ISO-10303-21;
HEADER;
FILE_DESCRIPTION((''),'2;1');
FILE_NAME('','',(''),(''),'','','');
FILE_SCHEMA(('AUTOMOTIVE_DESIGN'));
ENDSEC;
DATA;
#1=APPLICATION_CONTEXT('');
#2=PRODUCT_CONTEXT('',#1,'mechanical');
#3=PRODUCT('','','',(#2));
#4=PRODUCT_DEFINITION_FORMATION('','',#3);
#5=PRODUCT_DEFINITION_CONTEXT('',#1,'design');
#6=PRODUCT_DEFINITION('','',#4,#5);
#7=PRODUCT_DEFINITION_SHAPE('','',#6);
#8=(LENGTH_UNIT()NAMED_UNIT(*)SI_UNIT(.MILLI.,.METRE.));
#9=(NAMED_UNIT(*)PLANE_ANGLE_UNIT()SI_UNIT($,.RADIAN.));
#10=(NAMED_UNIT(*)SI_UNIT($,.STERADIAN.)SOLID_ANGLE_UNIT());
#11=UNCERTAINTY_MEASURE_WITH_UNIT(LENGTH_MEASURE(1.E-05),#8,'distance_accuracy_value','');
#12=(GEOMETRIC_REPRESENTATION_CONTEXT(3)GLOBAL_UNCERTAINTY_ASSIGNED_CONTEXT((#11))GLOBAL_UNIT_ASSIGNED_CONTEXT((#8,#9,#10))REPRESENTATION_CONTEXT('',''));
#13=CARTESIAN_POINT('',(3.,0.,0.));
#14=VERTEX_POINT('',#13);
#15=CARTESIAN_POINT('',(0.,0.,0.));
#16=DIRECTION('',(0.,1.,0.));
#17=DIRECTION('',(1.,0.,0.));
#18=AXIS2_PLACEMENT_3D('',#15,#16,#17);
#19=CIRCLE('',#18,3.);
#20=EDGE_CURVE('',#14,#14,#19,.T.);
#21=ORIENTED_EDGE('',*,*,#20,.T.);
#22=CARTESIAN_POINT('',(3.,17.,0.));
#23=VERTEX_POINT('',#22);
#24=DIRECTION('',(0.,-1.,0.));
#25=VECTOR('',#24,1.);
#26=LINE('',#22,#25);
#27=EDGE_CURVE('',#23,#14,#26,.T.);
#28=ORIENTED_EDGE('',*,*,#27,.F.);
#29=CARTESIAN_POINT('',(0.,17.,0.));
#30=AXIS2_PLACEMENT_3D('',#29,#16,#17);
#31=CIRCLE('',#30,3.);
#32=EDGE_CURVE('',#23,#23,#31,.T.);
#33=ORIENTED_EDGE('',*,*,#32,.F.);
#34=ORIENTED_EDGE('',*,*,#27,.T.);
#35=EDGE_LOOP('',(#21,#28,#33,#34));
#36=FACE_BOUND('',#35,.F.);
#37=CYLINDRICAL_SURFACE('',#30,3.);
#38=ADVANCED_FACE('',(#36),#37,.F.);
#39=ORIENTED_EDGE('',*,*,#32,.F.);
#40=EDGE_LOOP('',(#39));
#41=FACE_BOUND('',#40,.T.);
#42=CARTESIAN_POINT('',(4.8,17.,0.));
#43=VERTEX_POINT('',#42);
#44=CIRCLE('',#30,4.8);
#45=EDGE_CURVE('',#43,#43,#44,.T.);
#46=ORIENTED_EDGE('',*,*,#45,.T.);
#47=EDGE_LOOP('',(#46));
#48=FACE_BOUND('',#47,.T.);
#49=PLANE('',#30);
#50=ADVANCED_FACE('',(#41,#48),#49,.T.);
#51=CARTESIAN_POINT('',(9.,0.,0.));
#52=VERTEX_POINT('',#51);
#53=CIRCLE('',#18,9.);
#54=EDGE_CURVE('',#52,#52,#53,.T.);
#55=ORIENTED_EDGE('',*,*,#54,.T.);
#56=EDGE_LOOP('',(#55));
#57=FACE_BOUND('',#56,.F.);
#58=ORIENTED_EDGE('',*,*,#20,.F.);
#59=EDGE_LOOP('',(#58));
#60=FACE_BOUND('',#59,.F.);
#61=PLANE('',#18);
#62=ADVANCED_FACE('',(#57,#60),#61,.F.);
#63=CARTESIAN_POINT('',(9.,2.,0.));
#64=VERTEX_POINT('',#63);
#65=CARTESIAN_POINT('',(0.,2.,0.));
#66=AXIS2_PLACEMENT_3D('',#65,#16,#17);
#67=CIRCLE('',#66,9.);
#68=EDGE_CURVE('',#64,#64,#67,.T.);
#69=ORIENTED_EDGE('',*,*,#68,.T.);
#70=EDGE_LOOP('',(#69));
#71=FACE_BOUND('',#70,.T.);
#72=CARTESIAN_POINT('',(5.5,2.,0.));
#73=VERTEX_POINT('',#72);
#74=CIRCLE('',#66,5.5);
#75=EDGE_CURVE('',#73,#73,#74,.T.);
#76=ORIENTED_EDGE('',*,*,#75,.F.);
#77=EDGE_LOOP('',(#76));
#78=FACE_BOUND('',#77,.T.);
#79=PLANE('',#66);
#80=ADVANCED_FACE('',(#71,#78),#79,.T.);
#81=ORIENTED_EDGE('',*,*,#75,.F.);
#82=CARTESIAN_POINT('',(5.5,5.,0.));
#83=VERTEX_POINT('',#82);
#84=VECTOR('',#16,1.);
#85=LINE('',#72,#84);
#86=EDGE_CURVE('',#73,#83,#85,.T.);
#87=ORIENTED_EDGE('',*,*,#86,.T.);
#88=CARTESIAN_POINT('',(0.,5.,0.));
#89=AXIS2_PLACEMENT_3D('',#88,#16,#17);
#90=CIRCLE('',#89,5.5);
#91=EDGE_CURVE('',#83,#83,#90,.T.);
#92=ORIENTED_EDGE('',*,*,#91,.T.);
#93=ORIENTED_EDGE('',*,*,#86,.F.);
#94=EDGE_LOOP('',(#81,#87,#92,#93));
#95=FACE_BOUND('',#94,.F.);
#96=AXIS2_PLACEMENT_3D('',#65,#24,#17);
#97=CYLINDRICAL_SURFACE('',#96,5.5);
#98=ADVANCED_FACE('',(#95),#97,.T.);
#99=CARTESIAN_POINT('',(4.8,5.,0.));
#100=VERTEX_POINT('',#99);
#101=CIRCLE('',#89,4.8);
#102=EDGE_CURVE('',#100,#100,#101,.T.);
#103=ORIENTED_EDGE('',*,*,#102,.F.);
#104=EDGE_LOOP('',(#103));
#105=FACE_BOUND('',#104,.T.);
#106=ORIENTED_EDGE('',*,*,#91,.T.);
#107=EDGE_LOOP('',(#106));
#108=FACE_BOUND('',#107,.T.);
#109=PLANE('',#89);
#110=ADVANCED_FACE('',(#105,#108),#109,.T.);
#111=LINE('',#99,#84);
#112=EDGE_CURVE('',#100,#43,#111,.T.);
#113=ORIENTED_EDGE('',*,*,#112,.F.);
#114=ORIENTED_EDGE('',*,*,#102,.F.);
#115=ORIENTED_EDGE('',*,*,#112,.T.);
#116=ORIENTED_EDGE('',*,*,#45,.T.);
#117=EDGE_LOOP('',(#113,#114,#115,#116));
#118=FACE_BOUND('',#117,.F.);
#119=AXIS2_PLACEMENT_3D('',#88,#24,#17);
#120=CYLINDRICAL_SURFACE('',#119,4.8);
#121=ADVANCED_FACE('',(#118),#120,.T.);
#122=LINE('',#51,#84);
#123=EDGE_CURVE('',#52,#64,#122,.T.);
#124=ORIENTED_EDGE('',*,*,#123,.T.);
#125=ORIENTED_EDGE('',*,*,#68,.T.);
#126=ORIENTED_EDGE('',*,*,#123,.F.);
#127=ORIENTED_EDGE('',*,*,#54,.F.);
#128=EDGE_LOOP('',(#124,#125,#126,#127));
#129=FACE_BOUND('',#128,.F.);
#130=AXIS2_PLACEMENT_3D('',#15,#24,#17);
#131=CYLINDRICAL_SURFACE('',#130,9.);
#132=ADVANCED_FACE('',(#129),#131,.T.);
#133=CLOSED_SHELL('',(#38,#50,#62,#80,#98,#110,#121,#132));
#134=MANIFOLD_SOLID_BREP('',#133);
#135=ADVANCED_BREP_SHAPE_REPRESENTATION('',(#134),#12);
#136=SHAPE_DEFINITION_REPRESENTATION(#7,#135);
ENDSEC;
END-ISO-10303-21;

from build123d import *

# Parameters (mm, degrees)
SKETCH_1_R          = 9
EXTRUDE_1_DEPTH     = 2
SKETCH_2_R          = 5.5
EXTRUDE_2_DEPTH     = 3
SKETCH_5_R          = 4.8
EXTRUDE_4_DEPTH     = 12
SKETCH_6_R          = 3
CUT_EXTRUDE_2_DEPTH = 18


with BuildPart() as part:
    # Эскиз1 → Бобышка-Вытянуть1 (new body)
    with BuildSketch(Plane(origin=(0, 0, 0), x_dir=(1, 0, 0), z_dir=(0, 1, 0))):
        Circle(SKETCH_1_R)
    extrude(amount=EXTRUDE_1_DEPTH)

    # Эскиз2 → Бобышка-Вытянуть2 (add)
    with BuildSketch(Plane(origin=(0, 2, 0), x_dir=(1, 0, 0), z_dir=(0, 1, 0))):
        Circle(SKETCH_2_R)
    extrude(amount=EXTRUDE_2_DEPTH)

    # Эскиз5 → Бобышка-Вытянуть4 (add)
    with BuildSketch(Plane(origin=(0, 5, 0), x_dir=(1, 0, 0), z_dir=(0, 1, 0))):
        Circle(SKETCH_5_R)
    extrude(amount=EXTRUDE_4_DEPTH)

    # Эскиз6 → Вырез-Вытянуть2 (cut, through all)
    with BuildSketch(Plane(origin=(0, 17, 0), x_dir=(1, 0, 0), z_dir=(0, 1, 0))):
        Circle(SKETCH_6_R)
    extrude(amount=-CUT_EXTRUDE_2_DEPTH, mode=Mode.SUBTRACT)


solid = part.part
